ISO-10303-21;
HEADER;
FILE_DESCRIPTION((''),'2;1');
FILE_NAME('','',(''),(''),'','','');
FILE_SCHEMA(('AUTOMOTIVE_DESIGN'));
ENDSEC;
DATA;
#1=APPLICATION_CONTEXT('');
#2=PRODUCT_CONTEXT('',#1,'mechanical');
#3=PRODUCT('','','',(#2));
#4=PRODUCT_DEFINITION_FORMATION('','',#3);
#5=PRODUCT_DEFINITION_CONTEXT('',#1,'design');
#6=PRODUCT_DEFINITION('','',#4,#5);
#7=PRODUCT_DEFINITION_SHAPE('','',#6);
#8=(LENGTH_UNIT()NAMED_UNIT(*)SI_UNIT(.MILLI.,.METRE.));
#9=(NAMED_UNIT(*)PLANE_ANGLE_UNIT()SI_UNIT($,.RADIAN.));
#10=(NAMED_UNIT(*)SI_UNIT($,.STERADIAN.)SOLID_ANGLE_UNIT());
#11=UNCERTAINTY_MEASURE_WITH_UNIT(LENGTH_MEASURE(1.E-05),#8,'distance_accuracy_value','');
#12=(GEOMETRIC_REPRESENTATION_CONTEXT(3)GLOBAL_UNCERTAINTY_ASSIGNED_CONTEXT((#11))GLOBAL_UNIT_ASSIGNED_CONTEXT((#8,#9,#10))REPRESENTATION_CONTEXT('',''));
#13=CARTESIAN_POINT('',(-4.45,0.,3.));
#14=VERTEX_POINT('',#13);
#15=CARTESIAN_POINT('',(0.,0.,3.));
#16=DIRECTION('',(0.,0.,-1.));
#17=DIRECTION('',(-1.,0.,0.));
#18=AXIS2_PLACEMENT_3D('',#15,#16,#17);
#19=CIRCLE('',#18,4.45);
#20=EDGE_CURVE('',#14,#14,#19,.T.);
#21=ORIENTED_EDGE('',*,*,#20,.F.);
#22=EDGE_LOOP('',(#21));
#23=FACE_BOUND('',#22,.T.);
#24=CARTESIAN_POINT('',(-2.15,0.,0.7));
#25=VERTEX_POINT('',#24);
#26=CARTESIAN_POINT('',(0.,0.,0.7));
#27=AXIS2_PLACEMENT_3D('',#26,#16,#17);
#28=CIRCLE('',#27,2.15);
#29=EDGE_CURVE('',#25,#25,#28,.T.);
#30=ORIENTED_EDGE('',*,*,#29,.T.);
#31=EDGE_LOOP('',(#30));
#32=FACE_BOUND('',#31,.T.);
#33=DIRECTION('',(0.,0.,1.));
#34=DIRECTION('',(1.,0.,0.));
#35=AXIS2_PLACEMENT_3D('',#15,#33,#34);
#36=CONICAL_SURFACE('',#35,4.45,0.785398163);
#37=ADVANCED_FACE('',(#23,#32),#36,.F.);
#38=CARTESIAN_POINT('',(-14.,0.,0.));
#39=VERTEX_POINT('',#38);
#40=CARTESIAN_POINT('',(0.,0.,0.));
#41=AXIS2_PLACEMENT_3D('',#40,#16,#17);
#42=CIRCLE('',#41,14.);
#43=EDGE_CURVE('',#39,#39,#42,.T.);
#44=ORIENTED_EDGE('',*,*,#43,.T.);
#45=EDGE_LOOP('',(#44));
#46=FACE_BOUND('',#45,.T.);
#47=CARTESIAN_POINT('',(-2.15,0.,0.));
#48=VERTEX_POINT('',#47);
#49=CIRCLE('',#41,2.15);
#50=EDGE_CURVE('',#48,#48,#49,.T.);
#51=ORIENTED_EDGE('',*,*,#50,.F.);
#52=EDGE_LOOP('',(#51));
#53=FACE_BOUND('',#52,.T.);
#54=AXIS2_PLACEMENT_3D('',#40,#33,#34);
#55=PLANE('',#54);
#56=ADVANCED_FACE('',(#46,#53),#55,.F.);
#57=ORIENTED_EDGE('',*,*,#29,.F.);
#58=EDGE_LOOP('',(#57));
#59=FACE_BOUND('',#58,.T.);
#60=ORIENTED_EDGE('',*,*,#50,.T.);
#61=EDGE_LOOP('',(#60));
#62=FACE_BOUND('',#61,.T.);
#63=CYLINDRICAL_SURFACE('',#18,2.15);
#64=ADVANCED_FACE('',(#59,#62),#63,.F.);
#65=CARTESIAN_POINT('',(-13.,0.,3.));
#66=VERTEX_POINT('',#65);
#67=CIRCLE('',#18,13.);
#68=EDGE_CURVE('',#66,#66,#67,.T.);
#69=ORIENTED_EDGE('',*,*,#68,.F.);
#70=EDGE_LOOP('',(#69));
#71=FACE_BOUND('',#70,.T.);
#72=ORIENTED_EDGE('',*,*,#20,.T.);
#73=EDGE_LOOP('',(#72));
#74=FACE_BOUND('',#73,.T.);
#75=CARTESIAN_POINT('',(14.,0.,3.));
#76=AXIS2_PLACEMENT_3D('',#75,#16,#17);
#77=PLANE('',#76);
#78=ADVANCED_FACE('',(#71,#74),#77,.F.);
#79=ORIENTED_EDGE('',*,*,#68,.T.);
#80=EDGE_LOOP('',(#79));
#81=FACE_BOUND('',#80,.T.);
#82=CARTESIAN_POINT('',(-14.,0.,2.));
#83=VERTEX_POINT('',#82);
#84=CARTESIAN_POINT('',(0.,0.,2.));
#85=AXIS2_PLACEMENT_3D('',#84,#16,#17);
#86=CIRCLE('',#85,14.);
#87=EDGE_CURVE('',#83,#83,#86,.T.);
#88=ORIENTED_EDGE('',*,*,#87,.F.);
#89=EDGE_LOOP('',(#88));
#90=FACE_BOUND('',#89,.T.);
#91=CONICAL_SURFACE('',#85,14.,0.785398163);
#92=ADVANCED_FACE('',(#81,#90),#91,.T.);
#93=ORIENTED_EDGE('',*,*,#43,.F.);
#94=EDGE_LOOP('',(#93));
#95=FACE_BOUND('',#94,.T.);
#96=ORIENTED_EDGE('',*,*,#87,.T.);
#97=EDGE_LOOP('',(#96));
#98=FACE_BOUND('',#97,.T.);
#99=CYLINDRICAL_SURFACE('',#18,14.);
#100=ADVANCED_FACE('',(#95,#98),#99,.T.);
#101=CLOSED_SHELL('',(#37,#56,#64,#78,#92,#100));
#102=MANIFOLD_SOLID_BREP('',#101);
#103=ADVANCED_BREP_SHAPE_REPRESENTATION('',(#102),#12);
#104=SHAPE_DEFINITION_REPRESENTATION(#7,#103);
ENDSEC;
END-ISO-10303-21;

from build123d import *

# Parameters (mm, degrees)
SZKIC1_W                    = 14
SZKIC1_H                    = 3
SZKIC4_R                    = 10.5
DODANIE_WYCI_GNI_CIE1_DEPTH = 7


with BuildPart() as part:
    # Szkic1 → Obrót1 (revolve)
    with BuildSketch(Plane(origin=(0, 0, 0), x_dir=(1, 0, 0), z_dir=(0, 1, 0)), mode=Mode.PRIVATE) as obr_t1_sk:
        with Locations((7, -1.5)):
            Rectangle(SZKIC1_W, SZKIC1_H)
    revolve(obr_t1_sk.sketch.rotate(Axis((0, 0, 3), (0, 0, -1)), 180), axis=Axis((0, 0, 3), (0, 0, -1)))

    # Szkic2 → Wycięcie-obrót1 (revolve, cut)
    with BuildSketch(Plane(origin=(0, 0, 0), x_dir=(1, 0, 0), z_dir=(0, 1, 0)), mode=Mode.PRIVATE) as wyci_cie_obr_t1_sk:
        Polygon((13, -3), (14, -3), (14, -2), align=None)
    revolve(wyci_cie_obr_t1_sk.sketch.rotate(Axis((0, 0, 3), (0, 0, -1)), 180), axis=Axis((0, 0, 3), (0, 0, -1)), mode=Mode.SUBTRACT)

    # Szkic3 → Wycięcie-obrót2 (revolve, cut)
    with BuildSketch(Plane(origin=(0, 0, 0), x_dir=(1, 0, 0), z_dir=(0, 1, 0)), mode=Mode.PRIVATE) as wyci_cie_obr_t2_sk:
        Polygon((0, 0), (2.15, 0), (2.15, -0.7), (4.45, -3), (0, -3), align=None)
    revolve(wyci_cie_obr_t2_sk.sketch.rotate(Axis((0, 0, 3), (0, 0, -1)), 180), axis=Axis((0, 0, 3), (0, 0, -1)), mode=Mode.SUBTRACT)


with BuildPart() as body_2:
    # Szkic4 → Dodanie-wyciągnięcie1 (new body)
    with BuildSketch(Plane(origin=(0, 0, 0), x_dir=(0, 0, -1), z_dir=(1, 0, 0))):
        Circle(SZKIC4_R)
    extrude(amount=DODANIE_WYCI_GNI_CIE1_DEPTH)

    # Usuń ścianę1: 1 face struck out; the rest of the skin is kept as a surface, the solid goes
    usu_cian_1_1_drop = [body_2.part.faces().sort_by_distance(Vector(p))[0] for p in ((7, 0, 0),)]
    usu_cian_1_1 = Shell(body_2.part.faces() - usu_cian_1_1_drop)


solid = part.part
